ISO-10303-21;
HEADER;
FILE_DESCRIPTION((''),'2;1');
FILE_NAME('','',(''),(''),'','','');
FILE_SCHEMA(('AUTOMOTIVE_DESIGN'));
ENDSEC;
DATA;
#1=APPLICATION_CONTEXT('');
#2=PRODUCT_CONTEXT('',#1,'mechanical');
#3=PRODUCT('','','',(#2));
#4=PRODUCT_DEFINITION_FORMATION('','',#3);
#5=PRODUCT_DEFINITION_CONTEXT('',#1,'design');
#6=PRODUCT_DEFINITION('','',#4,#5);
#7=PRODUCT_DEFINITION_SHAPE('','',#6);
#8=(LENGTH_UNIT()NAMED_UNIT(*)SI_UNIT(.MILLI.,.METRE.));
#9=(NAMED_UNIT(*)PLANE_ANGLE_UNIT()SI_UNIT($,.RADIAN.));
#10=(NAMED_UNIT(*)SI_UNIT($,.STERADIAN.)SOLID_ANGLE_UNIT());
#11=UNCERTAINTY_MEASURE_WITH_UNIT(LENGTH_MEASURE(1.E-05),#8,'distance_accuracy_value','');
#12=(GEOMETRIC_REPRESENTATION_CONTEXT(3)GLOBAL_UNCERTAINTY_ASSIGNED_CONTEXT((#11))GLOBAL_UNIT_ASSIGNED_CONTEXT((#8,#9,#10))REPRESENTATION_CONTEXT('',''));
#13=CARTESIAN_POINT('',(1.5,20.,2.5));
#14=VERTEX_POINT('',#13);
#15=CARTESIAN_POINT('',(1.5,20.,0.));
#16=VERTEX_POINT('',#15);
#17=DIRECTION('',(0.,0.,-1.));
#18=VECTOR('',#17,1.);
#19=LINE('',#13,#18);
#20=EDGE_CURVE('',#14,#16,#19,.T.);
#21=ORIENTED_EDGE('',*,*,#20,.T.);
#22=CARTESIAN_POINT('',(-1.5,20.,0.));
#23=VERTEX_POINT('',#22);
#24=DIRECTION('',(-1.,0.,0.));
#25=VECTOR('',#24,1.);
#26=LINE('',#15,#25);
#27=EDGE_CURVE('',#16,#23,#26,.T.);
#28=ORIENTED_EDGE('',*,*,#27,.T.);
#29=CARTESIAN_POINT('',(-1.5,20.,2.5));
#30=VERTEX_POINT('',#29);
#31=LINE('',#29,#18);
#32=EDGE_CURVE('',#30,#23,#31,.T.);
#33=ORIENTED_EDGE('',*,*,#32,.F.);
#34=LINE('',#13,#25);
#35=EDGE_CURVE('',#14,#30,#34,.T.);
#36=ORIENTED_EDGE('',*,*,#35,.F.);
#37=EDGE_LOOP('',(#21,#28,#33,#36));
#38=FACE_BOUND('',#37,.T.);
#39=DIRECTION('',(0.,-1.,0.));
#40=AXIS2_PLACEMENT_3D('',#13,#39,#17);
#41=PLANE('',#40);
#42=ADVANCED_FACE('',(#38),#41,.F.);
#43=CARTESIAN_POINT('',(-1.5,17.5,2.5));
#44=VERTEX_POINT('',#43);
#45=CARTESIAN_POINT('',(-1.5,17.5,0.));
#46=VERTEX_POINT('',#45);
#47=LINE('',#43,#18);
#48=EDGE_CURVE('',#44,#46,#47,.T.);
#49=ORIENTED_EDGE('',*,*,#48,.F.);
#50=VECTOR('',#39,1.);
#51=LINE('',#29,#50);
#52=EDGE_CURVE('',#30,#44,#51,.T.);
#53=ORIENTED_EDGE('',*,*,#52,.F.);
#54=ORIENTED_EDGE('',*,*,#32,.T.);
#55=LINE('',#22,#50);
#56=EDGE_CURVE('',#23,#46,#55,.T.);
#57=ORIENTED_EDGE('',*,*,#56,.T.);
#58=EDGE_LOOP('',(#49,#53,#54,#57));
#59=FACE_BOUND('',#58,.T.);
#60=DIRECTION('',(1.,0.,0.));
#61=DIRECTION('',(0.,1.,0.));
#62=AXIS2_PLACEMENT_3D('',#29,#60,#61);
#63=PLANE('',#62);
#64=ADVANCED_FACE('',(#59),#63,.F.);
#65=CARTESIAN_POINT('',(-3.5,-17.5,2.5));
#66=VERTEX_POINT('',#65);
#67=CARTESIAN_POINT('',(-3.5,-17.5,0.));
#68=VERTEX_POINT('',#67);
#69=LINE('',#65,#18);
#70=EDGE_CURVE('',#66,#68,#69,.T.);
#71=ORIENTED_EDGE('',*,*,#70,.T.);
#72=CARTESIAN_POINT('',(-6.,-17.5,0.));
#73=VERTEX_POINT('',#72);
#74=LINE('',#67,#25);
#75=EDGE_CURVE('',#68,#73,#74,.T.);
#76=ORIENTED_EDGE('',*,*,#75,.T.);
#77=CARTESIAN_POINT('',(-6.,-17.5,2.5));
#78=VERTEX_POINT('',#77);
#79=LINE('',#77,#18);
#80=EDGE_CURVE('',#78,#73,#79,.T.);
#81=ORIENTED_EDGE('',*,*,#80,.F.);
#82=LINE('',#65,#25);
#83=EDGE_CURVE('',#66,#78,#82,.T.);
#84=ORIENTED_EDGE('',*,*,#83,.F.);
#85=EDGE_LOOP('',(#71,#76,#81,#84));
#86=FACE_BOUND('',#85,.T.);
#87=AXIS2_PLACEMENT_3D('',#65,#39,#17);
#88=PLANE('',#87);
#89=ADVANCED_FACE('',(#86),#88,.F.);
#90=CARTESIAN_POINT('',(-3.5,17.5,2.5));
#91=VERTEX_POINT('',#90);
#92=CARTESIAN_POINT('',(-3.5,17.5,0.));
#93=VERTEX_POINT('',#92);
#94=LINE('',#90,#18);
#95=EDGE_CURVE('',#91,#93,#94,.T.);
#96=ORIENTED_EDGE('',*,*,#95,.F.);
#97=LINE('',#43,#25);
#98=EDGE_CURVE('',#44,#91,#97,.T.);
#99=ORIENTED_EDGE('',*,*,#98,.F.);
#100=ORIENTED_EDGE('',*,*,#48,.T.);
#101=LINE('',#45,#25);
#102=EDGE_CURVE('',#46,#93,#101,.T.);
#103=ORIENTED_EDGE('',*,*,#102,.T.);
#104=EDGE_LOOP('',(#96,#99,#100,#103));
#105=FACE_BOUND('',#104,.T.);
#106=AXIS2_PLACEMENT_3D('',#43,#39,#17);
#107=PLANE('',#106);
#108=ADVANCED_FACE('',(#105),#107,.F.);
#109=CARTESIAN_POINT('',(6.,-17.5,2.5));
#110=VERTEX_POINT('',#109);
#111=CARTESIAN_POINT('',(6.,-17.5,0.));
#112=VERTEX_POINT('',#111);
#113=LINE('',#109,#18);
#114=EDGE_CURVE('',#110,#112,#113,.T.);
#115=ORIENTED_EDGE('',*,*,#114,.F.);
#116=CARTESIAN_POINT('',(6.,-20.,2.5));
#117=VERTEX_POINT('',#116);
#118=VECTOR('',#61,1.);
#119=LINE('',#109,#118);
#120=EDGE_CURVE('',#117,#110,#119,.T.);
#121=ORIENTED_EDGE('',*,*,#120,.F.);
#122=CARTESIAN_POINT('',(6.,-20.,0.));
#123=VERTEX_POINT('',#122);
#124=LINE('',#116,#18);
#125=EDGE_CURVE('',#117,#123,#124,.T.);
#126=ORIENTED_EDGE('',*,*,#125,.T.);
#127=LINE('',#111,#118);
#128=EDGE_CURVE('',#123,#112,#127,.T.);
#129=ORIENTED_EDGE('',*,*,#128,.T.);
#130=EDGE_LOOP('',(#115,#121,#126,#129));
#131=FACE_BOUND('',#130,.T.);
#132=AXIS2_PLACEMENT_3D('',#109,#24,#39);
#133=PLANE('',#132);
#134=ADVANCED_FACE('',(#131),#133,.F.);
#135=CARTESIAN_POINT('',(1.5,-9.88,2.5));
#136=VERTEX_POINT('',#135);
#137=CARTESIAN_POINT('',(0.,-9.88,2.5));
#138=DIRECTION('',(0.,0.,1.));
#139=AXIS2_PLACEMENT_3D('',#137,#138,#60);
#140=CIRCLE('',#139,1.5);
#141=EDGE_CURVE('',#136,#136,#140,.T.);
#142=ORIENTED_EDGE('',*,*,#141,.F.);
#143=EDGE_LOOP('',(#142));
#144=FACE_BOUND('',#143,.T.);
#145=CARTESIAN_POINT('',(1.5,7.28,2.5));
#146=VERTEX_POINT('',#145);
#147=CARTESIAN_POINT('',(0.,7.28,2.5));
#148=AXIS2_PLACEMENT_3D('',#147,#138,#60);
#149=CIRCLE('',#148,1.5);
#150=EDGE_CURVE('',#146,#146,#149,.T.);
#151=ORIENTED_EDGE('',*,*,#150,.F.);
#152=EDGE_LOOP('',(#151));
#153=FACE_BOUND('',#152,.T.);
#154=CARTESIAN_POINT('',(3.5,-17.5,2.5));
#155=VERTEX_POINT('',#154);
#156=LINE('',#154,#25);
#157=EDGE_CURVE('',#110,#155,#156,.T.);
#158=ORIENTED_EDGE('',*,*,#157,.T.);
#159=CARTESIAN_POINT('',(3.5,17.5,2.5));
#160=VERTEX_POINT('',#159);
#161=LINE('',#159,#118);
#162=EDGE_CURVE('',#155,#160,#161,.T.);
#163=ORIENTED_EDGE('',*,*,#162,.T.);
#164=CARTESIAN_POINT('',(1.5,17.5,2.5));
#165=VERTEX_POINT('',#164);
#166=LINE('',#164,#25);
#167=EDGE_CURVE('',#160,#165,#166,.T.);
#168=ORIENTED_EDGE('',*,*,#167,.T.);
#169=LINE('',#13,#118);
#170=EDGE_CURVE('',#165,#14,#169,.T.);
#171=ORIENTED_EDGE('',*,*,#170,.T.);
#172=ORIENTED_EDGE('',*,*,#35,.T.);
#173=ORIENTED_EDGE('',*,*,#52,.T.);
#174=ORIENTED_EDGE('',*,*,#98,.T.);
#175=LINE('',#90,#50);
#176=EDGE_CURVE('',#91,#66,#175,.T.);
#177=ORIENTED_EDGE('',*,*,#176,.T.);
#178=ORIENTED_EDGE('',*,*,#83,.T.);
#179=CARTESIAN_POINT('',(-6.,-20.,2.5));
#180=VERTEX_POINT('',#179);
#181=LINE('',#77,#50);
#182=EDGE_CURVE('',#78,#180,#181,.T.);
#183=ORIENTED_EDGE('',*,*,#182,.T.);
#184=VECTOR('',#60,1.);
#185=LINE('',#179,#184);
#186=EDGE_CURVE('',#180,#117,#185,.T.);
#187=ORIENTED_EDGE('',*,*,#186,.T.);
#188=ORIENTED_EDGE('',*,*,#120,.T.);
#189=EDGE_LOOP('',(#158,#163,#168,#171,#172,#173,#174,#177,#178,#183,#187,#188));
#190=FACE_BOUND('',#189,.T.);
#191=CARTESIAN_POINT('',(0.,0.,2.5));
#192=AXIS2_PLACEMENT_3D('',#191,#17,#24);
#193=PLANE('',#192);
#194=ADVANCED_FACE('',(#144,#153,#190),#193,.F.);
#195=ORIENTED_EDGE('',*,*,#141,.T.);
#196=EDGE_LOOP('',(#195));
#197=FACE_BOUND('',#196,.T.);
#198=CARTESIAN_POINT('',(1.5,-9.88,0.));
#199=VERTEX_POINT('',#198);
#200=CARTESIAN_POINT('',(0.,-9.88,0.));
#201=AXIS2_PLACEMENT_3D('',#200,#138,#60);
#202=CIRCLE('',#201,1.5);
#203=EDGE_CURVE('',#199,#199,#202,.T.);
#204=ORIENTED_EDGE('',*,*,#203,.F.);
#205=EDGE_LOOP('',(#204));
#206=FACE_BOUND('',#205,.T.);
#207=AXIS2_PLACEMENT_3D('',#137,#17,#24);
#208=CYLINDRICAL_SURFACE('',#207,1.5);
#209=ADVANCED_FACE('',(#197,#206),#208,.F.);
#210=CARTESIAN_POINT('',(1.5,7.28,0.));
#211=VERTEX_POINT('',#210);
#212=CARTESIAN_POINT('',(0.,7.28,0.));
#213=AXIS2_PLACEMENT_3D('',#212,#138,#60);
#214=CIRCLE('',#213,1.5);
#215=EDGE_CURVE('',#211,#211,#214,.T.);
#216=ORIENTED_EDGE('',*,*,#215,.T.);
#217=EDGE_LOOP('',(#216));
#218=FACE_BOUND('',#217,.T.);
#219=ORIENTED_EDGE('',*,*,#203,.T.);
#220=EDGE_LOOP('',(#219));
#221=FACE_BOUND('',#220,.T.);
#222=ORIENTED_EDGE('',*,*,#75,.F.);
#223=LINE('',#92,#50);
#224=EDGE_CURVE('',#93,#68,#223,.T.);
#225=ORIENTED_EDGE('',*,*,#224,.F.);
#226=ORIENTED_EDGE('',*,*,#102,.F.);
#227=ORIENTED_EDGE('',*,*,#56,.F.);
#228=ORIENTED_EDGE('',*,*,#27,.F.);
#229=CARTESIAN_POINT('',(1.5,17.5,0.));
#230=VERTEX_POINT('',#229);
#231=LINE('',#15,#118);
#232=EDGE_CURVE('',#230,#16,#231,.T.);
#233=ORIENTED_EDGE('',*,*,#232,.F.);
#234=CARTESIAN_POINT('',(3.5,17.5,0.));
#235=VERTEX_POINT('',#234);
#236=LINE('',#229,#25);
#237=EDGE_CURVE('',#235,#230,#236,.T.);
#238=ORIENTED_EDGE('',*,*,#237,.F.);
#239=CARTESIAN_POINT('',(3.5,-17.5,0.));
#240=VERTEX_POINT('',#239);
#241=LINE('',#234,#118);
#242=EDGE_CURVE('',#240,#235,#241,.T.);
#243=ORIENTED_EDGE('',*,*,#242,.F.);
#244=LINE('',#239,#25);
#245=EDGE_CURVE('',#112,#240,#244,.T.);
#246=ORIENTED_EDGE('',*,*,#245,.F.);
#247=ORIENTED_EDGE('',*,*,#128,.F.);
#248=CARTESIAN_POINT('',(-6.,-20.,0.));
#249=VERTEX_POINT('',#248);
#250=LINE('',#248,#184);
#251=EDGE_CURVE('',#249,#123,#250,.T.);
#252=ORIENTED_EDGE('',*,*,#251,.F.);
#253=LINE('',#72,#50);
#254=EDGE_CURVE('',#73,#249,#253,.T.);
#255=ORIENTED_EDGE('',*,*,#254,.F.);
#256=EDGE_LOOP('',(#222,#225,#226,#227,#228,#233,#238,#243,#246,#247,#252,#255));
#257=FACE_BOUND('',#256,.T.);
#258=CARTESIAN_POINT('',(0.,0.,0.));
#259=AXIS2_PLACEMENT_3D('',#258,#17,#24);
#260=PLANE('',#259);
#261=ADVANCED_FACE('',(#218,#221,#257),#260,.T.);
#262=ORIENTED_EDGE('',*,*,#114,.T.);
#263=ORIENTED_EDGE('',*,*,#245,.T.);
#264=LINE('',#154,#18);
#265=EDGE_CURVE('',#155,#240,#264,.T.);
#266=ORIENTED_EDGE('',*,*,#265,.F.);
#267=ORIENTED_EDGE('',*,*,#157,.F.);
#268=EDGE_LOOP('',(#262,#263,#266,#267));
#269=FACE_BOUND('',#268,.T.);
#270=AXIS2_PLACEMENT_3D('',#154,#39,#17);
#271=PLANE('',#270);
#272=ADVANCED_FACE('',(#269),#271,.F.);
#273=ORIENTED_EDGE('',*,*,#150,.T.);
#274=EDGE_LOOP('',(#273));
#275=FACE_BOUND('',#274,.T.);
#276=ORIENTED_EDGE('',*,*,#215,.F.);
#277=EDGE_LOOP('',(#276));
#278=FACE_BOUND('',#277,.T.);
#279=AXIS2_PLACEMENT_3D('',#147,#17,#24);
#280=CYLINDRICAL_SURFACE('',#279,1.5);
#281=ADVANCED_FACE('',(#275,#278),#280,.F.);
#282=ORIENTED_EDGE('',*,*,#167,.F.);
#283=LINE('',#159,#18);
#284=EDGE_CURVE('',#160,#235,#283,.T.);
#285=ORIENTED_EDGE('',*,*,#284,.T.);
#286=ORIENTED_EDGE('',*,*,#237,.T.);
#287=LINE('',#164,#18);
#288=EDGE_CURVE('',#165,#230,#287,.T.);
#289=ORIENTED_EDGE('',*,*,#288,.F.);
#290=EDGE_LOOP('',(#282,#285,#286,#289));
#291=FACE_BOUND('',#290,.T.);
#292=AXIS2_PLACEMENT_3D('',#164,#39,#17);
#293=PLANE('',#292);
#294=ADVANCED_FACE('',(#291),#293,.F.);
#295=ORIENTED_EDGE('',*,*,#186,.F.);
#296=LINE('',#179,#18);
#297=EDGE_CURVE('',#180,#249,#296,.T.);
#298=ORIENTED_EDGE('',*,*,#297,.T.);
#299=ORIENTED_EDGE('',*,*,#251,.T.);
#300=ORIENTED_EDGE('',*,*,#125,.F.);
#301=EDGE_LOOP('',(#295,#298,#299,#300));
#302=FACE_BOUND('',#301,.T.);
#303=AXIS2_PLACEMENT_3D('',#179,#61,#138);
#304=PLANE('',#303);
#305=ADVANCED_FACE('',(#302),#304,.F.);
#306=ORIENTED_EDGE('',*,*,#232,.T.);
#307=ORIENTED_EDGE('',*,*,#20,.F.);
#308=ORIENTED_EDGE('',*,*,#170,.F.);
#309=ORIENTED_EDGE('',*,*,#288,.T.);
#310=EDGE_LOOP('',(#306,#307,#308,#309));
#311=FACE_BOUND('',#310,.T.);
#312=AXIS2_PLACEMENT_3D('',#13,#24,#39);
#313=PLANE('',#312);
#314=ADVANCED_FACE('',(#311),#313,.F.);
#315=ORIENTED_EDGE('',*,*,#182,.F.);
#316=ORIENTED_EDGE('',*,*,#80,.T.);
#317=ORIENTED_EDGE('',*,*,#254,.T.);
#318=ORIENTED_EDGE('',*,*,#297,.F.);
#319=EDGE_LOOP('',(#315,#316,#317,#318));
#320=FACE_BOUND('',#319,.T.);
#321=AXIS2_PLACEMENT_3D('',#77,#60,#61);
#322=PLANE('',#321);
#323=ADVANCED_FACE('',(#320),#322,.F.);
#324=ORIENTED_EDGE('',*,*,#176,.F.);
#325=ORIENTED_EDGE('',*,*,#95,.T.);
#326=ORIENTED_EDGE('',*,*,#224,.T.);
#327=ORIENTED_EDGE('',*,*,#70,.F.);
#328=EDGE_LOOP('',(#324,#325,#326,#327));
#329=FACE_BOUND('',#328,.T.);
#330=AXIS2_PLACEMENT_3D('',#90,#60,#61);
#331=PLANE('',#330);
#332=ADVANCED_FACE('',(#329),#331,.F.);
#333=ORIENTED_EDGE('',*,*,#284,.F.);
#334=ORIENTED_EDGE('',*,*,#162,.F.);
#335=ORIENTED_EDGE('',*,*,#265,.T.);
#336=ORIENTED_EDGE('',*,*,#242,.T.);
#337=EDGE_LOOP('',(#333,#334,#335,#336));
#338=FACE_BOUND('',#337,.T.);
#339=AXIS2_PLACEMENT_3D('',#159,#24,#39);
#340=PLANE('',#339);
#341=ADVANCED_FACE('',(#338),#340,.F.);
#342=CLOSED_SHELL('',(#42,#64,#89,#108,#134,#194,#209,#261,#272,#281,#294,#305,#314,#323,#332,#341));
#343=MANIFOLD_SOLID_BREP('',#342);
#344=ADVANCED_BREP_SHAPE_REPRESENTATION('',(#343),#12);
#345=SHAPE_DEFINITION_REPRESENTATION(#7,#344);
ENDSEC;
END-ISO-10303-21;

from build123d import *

# Parameters (mm, degrees)
SKETCH1_R           = 1.5
BOSS_EXTRUDE1_DEPTH = 2.5


with BuildPart() as part:
    # Sketch1 → Boss-Extrude1 (new body)
    with BuildSketch(Plane.XY):
        Polygon((1.5, 20), (-1.5, 20), (-1.5, 17.5), (-3.5, 17.5), (-3.5, -17.5), (-6, -17.5), (-6, -20), (6, -20), (6, -17.5), (3.5, -17.5), (3.5, 17.5), (1.5, 17.5), align=None)
        with Locations((0, -9.88)):
            Circle(SKETCH1_R, mode=Mode.SUBTRACT)
        with Locations((0, 7.28)):
            Circle(SKETCH1_R, mode=Mode.SUBTRACT)
    extrude(amount=BOSS_EXTRUDE1_DEPTH)


solid = part.part
